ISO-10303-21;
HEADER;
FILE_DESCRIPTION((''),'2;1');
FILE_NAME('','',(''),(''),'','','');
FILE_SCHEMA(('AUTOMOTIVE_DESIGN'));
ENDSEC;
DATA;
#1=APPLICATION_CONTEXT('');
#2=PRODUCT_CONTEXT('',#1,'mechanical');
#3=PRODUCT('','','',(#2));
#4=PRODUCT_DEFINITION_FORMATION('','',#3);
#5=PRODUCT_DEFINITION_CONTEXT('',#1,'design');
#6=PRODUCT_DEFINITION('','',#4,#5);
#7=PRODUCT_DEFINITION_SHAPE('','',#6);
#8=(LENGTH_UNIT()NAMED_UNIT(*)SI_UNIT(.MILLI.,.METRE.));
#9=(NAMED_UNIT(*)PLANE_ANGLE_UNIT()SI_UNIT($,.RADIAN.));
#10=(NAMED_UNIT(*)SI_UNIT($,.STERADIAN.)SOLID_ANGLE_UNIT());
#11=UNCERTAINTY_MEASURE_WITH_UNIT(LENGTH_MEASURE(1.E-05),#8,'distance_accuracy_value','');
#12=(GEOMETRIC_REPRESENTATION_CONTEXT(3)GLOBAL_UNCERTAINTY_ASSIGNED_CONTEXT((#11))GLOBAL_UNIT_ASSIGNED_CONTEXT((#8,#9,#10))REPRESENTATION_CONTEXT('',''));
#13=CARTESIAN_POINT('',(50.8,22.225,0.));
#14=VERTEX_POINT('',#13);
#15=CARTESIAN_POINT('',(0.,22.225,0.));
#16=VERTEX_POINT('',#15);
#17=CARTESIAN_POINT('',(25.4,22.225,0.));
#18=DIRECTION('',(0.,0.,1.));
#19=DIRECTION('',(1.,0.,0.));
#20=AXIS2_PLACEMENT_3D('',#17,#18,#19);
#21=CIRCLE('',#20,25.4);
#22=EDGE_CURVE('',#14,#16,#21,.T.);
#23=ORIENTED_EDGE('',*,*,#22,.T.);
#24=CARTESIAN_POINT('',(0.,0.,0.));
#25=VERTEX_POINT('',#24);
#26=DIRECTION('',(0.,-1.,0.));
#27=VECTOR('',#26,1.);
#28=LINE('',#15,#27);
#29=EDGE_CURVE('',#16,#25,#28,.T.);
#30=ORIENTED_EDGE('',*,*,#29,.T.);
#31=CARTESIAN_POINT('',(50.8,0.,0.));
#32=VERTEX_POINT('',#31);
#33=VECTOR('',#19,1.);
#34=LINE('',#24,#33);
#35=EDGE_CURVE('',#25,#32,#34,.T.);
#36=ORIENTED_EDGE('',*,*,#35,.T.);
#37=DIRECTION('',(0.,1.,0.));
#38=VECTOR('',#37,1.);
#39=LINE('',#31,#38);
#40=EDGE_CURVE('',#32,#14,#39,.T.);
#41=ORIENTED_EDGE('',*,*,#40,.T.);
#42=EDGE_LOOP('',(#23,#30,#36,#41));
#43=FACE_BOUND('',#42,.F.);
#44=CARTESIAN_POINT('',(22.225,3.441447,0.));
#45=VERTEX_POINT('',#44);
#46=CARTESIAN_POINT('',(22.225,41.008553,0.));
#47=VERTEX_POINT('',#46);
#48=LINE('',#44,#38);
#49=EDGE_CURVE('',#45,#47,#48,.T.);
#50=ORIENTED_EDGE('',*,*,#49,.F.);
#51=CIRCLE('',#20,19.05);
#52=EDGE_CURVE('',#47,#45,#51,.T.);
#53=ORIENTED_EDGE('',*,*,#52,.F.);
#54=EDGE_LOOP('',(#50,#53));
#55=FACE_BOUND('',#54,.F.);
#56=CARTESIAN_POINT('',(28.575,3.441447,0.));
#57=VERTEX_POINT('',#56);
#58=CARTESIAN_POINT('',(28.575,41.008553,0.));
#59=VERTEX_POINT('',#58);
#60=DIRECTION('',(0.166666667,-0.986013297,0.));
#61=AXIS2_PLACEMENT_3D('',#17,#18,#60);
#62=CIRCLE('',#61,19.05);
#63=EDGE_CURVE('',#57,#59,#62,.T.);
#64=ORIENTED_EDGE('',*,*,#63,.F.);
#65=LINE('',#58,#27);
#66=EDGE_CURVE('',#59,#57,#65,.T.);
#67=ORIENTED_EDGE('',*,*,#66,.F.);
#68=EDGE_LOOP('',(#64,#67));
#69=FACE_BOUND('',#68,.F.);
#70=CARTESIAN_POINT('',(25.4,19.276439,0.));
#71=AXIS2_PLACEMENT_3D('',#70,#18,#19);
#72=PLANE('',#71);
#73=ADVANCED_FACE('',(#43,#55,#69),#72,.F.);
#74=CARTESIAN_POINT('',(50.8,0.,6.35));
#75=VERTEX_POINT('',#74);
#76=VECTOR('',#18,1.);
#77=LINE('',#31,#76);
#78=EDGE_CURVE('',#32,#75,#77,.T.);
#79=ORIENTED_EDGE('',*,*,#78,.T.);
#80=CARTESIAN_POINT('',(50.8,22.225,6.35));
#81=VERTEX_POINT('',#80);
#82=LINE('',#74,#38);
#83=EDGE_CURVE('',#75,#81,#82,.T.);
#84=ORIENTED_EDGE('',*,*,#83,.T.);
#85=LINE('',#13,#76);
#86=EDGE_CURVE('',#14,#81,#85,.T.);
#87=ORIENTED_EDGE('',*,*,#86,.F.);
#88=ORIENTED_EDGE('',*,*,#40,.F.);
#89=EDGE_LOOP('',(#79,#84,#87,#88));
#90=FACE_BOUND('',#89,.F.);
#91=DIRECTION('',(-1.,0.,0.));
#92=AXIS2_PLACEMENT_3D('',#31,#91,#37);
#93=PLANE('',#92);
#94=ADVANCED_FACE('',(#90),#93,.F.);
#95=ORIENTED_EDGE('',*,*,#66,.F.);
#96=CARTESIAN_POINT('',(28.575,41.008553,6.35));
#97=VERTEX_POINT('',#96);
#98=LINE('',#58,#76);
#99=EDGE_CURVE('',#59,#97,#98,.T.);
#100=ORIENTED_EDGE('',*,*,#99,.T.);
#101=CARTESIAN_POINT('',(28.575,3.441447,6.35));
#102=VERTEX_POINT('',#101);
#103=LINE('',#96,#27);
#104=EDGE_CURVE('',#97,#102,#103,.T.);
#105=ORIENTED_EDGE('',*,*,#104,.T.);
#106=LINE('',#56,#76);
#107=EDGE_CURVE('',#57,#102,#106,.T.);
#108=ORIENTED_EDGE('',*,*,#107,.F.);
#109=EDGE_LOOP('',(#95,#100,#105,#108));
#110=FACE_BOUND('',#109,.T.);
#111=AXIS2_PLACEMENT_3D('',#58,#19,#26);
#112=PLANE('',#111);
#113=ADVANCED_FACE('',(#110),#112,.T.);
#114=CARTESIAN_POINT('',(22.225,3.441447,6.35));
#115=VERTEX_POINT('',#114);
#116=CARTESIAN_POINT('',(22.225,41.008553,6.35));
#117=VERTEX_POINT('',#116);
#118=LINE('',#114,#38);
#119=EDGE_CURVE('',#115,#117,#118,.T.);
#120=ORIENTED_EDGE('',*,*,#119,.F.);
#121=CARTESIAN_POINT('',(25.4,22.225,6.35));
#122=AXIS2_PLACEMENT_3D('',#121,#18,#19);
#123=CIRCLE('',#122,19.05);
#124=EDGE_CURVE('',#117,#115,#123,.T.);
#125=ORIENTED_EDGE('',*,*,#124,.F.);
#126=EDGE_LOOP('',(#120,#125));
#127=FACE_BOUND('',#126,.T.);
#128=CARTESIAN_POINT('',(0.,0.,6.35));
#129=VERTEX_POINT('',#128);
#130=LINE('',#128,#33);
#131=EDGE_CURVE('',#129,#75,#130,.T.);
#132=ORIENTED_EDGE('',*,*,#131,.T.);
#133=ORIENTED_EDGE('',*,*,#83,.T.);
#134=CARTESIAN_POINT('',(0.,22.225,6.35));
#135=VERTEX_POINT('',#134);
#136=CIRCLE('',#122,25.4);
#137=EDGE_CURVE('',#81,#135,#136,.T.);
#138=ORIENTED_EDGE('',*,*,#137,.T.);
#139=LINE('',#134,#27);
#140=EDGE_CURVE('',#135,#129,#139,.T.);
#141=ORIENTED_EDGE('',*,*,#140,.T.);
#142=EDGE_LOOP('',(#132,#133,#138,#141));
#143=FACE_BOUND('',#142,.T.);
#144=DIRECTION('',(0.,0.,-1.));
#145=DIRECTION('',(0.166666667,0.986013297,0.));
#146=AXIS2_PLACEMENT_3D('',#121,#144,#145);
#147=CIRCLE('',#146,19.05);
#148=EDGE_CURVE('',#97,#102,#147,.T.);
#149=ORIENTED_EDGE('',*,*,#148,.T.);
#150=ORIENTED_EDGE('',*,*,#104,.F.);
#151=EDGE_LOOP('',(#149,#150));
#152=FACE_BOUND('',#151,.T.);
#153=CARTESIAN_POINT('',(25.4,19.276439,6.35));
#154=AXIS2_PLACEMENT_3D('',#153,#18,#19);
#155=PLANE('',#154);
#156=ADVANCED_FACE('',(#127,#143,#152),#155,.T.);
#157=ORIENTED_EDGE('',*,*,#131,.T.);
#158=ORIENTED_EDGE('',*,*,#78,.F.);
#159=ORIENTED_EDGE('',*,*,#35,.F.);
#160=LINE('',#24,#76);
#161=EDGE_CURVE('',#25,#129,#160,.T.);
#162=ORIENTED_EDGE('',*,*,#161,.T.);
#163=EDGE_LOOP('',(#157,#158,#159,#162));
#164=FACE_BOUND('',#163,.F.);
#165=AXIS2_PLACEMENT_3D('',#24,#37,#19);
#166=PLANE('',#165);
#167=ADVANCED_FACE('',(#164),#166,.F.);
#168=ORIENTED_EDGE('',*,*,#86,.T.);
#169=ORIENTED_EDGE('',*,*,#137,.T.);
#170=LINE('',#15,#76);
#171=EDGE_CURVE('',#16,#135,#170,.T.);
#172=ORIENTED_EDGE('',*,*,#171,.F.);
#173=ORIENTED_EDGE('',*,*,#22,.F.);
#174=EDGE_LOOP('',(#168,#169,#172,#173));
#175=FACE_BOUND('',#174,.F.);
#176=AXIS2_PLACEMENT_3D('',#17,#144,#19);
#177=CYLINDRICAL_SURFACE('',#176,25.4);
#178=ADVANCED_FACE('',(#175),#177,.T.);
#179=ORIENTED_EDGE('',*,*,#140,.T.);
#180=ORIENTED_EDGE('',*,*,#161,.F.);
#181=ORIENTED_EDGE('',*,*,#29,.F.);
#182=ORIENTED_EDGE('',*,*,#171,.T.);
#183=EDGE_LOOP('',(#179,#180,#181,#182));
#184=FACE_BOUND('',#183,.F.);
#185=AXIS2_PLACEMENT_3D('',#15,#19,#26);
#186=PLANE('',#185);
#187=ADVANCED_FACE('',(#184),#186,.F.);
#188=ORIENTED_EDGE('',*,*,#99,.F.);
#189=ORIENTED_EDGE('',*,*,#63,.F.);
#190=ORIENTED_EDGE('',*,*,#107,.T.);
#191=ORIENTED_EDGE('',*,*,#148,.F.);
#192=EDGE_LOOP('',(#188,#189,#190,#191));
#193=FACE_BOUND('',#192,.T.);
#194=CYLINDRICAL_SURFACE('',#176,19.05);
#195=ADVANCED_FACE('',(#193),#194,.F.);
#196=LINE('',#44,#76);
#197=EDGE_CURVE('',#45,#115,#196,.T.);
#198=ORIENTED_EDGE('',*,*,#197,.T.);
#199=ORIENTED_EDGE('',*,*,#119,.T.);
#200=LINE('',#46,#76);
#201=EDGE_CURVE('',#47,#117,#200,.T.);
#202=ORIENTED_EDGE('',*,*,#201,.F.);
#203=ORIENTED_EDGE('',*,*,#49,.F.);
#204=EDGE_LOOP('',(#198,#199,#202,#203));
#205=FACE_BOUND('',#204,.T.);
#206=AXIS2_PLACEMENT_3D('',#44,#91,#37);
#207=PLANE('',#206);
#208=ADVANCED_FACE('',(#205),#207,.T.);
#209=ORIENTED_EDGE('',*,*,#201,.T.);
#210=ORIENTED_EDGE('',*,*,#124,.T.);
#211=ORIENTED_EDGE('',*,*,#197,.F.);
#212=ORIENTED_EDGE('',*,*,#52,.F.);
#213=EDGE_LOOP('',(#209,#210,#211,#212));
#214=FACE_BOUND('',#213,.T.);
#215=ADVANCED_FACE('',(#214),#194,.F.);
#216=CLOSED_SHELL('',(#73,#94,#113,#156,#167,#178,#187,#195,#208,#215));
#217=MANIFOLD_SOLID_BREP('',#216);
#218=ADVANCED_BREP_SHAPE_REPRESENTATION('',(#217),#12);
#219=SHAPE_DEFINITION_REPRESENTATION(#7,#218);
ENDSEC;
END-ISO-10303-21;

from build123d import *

# Parameters (mm, degrees)
F0_R     = 19.05
F1_DEPTH = 6.35
F3_DEPTH = 6.35


with BuildPart() as f1:
    # F0 (on Top) → F1 (new body)
    with BuildSketch(Plane.XY):
        with BuildLine():
            Line((0, 22.225), (0, 0))
            Line((0, 0), (50.8, 0))
            Line((50.8, 0), (50.8, 22.225))
            ThreePointArc((50.8, 22.225), (25.4, 47.625), (0, 22.225))
        make_face()
        with Locations((25.4, 22.225)):
            Circle(F0_R, mode=Mode.SUBTRACT)
    extrude(amount=F1_DEPTH)

    # F2 (on face) → F3 (join)
    with BuildSketch(Plane(origin=(0, 0, 0), x_dir=(1, 0, 0), z_dir=(0, 0, -1))):
        with BuildLine():
            Line((28.575, -41.0085533113), (28.575, -3.4414466887))
            ThreePointArc((28.575, -3.4414466887), (25.4, -3.175), (22.225, -3.4414466887))
            Line((22.225, -3.4414466887), (22.225, -41.0085533113))
            ThreePointArc((22.225, -41.0085533113), (25.4, -41.275), (28.575, -41.0085533113))
        make_face()
    extrude(amount=-F3_DEPTH)


solid = f1.part
